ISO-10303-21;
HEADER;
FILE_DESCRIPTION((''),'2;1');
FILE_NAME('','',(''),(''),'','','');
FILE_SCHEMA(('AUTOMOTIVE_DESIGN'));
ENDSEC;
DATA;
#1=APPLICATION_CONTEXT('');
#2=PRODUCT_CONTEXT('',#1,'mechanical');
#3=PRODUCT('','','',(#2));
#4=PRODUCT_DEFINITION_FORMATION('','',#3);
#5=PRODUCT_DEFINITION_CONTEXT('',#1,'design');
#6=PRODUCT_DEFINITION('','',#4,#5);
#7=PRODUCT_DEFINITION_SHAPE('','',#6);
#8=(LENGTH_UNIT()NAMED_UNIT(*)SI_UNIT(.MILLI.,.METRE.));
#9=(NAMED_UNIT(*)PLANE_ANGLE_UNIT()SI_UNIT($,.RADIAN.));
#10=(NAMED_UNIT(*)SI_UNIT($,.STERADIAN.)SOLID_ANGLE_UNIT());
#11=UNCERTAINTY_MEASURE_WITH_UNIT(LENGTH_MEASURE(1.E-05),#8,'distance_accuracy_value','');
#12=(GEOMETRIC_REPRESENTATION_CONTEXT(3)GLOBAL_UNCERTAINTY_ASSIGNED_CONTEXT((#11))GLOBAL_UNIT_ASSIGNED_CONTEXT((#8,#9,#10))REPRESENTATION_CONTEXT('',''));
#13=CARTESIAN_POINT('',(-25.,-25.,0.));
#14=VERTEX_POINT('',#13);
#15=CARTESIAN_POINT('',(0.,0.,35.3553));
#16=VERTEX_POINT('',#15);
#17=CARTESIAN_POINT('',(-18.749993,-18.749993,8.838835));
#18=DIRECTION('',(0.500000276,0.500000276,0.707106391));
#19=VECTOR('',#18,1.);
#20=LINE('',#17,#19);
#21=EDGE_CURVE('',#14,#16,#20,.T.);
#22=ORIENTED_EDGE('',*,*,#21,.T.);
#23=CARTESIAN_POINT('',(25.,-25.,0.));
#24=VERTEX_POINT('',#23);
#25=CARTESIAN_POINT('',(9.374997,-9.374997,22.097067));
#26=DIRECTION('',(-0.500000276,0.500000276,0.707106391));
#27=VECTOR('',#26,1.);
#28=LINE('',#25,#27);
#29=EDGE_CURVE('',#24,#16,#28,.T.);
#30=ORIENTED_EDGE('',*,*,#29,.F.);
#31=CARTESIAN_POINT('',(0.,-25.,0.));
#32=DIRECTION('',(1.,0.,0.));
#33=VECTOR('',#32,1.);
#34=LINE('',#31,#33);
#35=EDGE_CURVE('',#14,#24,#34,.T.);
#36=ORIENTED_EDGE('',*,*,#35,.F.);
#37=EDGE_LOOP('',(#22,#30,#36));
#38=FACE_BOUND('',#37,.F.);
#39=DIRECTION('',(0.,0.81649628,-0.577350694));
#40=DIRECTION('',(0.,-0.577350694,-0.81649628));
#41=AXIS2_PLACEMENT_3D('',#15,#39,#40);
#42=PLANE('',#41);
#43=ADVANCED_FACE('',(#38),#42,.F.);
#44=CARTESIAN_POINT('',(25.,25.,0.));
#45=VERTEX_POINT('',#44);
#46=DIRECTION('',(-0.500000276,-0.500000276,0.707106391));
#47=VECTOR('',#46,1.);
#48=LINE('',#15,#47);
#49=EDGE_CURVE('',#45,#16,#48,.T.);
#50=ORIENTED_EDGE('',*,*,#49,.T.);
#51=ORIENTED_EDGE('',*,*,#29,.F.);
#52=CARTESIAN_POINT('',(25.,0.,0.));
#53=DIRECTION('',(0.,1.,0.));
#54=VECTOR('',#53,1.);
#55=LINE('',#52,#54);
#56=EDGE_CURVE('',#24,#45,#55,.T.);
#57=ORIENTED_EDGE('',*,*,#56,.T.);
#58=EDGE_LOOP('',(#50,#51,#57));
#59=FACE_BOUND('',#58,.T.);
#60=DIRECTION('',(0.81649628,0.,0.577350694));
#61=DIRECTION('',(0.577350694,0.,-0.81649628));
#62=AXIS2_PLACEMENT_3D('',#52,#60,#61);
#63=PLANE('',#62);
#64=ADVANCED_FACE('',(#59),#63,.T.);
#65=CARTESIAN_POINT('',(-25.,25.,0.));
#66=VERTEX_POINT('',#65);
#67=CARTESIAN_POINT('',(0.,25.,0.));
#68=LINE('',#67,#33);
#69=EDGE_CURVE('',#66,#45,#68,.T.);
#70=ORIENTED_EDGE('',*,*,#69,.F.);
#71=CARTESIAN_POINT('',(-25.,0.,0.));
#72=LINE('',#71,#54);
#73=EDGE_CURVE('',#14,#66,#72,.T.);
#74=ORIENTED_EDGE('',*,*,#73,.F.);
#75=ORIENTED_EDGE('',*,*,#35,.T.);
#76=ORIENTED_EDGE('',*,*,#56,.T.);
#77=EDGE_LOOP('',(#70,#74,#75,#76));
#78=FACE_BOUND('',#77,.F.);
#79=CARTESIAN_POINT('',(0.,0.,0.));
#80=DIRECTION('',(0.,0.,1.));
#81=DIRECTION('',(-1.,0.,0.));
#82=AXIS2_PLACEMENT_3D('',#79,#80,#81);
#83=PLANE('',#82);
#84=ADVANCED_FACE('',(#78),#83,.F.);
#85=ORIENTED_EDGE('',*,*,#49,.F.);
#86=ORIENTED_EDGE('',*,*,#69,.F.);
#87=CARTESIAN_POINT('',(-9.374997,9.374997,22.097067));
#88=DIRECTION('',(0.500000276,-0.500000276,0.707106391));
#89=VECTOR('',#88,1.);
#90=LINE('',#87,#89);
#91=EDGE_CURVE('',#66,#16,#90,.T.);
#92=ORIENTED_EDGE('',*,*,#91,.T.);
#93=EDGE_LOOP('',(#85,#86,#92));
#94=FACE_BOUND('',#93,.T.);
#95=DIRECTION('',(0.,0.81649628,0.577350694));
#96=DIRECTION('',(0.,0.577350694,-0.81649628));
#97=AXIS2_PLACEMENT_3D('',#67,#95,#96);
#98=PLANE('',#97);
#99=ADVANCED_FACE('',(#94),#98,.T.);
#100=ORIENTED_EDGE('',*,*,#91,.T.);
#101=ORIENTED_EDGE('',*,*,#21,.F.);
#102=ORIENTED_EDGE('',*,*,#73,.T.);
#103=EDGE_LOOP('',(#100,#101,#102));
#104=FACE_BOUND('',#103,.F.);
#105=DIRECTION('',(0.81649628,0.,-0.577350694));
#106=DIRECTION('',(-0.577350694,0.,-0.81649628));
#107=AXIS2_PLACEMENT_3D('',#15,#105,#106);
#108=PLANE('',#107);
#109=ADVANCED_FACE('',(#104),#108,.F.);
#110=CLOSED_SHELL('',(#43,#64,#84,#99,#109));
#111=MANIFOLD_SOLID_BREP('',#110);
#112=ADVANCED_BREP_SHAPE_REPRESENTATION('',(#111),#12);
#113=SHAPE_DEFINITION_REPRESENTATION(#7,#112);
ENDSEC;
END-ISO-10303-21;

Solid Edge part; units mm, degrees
sketch "Sketch1" plane through (0, 0, 0) normal (0, -1, 0) x (1, 0, 0)
  arc A0 (-75, 0) -> (0, 75) centre (0, 0) cw
  line L0 (0, 0) -> (0, 75)
  line L1 (-75, 0) -> (0, 0)
revolve "RevolvedProtrusion1" add sketch "Sketch1" angle 360 about axis through (0, 0, 0) along (0, 0, 1)
sketch "Sketch2" plane through (0, 0, 0) normal (0, -1, 0) x (1, 0, 0)
  line L0 (0, 35.3553) -> (25, 0)
  line L1 (0, 35.3553) -> (-25, 0)
extrude "Cutout1" cut sketch "Sketch2" along normal through all and the other way through all material side at (12.5408, 0, 17.7065)
pattern_circular "Pattern1" count 4 over 360 about axis through (0, 0, 0) along (0, 0, 1) of "Cutout1"
